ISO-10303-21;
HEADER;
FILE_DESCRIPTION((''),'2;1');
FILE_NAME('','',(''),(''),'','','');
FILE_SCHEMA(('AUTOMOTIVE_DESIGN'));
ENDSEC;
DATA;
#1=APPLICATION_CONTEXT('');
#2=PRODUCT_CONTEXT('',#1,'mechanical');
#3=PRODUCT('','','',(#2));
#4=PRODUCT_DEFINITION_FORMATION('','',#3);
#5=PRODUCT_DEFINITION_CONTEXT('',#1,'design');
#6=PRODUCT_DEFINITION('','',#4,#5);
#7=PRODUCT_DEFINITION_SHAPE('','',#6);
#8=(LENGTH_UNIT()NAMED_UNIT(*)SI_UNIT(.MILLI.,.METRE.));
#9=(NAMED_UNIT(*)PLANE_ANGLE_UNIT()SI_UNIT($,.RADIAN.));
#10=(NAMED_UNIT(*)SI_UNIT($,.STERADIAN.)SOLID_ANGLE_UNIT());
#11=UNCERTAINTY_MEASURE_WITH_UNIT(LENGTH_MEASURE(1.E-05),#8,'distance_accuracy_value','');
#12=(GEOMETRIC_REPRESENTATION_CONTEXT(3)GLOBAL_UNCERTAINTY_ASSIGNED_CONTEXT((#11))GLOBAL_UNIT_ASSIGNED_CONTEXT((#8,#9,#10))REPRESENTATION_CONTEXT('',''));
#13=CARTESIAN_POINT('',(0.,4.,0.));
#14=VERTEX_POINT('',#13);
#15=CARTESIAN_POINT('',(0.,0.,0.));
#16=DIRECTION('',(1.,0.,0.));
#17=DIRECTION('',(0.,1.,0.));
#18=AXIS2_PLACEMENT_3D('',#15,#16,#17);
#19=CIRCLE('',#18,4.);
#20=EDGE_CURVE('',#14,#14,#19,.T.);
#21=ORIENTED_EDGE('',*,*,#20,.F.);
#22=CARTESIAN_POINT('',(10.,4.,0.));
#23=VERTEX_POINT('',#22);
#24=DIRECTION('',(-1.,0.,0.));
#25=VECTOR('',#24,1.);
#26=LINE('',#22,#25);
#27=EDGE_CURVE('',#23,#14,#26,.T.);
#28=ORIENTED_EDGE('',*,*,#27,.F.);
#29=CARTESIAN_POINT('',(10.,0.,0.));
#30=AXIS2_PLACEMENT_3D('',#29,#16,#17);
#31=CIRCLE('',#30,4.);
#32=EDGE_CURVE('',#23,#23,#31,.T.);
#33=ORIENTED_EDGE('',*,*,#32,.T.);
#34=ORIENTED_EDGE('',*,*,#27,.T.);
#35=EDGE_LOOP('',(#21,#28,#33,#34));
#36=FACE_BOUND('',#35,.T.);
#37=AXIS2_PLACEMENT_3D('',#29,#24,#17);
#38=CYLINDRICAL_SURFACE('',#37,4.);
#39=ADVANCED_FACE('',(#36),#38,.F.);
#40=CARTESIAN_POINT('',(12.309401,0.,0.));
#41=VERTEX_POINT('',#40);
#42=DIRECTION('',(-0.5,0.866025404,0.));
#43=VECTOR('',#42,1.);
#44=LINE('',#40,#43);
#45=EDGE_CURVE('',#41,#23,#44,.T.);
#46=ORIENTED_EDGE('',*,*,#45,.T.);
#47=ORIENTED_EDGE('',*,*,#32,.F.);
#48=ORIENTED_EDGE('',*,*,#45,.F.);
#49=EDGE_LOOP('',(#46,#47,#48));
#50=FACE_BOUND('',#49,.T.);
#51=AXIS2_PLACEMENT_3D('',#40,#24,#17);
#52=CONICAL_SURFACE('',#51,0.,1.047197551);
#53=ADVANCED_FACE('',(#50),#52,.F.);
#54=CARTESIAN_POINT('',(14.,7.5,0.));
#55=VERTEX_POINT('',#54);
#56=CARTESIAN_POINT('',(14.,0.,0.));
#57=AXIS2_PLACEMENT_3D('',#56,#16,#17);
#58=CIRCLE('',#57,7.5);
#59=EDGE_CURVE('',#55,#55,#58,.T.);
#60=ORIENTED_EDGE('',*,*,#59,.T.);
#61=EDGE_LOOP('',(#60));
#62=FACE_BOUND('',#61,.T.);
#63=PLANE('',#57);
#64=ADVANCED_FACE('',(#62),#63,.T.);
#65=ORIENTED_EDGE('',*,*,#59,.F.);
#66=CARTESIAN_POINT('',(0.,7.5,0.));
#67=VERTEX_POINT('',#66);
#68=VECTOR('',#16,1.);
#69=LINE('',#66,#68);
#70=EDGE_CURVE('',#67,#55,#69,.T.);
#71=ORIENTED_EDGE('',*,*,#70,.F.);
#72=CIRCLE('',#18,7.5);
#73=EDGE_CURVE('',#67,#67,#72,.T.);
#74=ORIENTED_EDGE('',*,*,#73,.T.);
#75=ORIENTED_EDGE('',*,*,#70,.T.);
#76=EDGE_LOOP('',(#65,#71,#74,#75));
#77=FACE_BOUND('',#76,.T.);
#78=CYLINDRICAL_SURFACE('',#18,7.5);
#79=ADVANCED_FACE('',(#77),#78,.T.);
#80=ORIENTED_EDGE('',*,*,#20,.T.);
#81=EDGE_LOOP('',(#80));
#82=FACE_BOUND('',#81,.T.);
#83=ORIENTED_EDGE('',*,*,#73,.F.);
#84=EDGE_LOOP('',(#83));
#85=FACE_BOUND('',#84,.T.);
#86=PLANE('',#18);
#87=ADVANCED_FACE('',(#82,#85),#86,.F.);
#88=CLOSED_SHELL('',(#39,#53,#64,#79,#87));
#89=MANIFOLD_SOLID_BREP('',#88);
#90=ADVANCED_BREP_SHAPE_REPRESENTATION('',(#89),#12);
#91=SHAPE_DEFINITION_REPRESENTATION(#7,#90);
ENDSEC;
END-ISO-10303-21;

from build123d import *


with BuildPart() as part:
    # Sketch2 → Revolve1 (revolve)
    with BuildSketch(Plane.XY):
        Polygon((0, 4), (0, 7.5), (14, 7.5), (14, 0), (12.309401077, 0), (10, 4), align=None)
    revolve(axis=Axis((0, 0, 0), (1, 0, 0)))


solid = part.part
